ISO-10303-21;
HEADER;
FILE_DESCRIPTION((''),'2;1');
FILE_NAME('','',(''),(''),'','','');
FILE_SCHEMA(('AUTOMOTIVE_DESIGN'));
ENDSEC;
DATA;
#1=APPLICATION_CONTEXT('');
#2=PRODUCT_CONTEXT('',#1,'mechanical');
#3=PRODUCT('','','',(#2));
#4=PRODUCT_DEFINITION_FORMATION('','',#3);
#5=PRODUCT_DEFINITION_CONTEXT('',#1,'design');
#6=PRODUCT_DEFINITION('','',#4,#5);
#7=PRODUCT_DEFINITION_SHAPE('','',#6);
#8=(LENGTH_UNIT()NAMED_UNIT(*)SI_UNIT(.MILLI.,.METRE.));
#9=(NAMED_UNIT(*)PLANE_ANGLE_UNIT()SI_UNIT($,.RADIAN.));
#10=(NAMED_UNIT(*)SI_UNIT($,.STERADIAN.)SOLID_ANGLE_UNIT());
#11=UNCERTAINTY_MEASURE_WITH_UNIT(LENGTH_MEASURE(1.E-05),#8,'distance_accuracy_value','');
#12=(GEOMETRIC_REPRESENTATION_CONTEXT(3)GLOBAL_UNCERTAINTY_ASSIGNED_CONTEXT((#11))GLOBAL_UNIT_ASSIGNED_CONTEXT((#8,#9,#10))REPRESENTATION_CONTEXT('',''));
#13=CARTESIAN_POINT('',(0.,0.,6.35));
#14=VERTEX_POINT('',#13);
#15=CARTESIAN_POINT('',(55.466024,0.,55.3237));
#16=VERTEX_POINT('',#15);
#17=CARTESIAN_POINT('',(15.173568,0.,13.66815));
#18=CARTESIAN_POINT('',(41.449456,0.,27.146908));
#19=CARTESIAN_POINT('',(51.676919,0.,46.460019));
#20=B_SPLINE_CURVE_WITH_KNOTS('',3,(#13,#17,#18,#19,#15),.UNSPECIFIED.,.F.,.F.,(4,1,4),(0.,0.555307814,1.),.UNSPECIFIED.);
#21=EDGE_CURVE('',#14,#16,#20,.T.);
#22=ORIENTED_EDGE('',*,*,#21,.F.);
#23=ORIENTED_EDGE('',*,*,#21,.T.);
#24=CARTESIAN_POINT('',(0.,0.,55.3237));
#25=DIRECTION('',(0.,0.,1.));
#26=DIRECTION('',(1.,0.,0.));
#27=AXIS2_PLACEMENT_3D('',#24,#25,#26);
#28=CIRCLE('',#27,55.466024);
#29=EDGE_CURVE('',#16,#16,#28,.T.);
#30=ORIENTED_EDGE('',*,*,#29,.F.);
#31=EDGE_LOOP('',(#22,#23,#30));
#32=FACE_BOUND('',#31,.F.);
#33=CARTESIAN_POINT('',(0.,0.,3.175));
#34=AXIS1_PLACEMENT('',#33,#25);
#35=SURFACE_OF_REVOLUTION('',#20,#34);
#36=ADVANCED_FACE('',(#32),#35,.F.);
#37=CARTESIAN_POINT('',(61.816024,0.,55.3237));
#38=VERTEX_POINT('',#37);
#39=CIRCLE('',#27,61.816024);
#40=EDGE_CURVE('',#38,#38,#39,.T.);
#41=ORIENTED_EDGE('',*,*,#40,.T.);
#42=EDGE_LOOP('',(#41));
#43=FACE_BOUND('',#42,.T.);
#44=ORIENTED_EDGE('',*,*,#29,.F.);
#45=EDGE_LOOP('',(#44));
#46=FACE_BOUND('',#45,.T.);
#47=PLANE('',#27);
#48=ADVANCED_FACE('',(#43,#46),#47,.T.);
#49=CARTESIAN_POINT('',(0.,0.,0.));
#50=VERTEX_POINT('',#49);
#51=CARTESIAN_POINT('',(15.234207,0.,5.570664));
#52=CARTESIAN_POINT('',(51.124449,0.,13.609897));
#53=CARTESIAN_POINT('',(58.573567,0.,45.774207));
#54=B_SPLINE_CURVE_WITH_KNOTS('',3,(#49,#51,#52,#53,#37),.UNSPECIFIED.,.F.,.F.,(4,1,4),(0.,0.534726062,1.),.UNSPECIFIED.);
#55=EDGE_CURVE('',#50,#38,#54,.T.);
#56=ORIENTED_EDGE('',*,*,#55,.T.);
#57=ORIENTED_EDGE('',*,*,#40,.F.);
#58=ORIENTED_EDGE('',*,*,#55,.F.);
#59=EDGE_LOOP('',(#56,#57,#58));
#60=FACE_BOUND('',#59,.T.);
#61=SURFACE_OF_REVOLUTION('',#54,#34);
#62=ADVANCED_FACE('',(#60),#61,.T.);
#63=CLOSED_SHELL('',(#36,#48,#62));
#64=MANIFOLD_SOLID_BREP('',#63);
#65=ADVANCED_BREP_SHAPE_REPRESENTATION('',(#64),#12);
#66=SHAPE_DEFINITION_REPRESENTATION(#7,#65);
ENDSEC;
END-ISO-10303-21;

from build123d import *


with BuildPart() as f1:
    # F0 (on Front) → F1 (revolve)
    with BuildSketch(Plane.XZ):
        with BuildLine():
            Line((0, 6.35), (0, 0))
            add(Edge.make_bspline(
                [(0, 0), (15.234207067, 5.5706637015), (51.1244492994, 13.6098969916), (58.5735670269, 45.7742066761), (61.8160240156, 55.323699932)],
                knots=[0, 0, 0, 0, 0.5347260619, 1, 1, 1, 1], degree=3))
            Line((61.8160240156, 55.323699932), (55.4660240156, 55.323699932))
            add(Edge.make_bspline(
                [(0, 6.35), (15.1735683359, 13.6681503053), (41.4494564192, 27.1469080661), (51.6769187714, 46.460018861), (55.4660240156, 55.323699932)],
                knots=[0, 0, 0, 0, 0.5553078144, 1, 1, 1, 1], degree=3))
        make_face()
    revolve(axis=Axis((0, 0, 3.175), (0, 0, 1)))


solid = f1.part
